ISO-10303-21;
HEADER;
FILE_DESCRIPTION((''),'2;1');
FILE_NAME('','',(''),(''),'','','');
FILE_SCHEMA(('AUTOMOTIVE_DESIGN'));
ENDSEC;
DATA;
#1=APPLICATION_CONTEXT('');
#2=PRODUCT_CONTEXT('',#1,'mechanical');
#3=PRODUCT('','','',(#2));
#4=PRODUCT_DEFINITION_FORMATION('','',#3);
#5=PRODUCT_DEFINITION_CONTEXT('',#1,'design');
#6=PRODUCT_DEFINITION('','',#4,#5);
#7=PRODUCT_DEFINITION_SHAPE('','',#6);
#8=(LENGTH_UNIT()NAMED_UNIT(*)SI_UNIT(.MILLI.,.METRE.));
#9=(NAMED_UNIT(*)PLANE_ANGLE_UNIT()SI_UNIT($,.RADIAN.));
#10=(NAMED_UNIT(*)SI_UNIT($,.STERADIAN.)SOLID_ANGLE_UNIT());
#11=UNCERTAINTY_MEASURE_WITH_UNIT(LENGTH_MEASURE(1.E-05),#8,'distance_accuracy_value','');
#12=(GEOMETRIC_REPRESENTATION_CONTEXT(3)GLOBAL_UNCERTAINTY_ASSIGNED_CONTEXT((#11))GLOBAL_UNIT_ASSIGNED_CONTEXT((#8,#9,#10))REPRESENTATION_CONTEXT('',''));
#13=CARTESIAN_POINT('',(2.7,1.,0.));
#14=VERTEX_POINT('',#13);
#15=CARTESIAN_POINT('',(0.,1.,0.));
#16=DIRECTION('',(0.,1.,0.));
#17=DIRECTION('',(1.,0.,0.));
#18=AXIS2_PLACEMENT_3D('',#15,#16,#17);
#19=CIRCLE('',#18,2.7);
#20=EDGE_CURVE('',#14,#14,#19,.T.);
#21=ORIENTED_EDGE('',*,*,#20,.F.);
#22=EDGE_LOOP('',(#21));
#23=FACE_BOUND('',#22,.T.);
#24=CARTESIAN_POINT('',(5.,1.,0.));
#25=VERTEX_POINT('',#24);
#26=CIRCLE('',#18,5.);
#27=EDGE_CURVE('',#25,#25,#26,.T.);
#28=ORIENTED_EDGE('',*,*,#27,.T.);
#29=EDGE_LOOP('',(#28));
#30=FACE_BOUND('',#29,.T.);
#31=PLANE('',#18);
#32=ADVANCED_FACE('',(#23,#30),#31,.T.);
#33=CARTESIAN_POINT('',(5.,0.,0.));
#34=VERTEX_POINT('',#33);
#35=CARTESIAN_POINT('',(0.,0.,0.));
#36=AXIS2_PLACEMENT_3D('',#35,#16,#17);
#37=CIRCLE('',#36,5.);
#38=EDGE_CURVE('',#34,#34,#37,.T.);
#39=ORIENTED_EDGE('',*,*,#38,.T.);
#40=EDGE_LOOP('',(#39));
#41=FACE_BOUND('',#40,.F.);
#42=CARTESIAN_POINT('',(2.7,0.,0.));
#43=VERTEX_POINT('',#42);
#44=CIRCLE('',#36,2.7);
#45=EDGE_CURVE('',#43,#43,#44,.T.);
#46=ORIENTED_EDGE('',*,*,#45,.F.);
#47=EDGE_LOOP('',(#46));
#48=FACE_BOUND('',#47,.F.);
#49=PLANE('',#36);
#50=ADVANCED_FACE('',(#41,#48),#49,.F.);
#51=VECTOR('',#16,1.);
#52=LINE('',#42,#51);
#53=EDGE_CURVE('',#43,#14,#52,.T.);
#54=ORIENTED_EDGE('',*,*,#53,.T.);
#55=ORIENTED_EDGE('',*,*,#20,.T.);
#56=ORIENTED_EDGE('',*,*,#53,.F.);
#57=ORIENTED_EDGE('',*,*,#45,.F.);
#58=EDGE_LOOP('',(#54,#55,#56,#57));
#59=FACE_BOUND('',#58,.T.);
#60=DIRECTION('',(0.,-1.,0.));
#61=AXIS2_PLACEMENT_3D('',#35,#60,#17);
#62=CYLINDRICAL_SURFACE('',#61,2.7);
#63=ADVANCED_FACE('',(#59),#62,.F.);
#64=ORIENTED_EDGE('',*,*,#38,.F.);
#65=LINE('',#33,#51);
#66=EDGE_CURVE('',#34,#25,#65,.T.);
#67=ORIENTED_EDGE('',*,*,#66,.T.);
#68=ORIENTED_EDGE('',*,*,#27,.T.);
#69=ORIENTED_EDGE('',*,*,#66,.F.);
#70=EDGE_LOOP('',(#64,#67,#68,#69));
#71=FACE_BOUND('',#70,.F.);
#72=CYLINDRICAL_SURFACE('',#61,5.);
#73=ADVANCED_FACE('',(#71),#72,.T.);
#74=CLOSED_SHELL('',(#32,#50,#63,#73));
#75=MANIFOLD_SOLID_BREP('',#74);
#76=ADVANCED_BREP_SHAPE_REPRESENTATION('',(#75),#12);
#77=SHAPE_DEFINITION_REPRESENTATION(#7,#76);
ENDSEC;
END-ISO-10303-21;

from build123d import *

# Parameters (mm, degrees)
ESBO_O1_R                = 5
ESBO_O1_R_2              = 2.7
RESSALTO_EXTRUS_O1_DEPTH = 1


with BuildPart() as part:
    # Esboço1 → Ressalto-extrusão1 (new body)
    with BuildSketch(Plane(origin=(0, 0, 0), x_dir=(1, 0, 0), z_dir=(0, 1, 0))):
        Circle(ESBO_O1_R)
        Circle(ESBO_O1_R_2, mode=Mode.SUBTRACT)
    extrude(amount=RESSALTO_EXTRUS_O1_DEPTH)


solid = part.part
